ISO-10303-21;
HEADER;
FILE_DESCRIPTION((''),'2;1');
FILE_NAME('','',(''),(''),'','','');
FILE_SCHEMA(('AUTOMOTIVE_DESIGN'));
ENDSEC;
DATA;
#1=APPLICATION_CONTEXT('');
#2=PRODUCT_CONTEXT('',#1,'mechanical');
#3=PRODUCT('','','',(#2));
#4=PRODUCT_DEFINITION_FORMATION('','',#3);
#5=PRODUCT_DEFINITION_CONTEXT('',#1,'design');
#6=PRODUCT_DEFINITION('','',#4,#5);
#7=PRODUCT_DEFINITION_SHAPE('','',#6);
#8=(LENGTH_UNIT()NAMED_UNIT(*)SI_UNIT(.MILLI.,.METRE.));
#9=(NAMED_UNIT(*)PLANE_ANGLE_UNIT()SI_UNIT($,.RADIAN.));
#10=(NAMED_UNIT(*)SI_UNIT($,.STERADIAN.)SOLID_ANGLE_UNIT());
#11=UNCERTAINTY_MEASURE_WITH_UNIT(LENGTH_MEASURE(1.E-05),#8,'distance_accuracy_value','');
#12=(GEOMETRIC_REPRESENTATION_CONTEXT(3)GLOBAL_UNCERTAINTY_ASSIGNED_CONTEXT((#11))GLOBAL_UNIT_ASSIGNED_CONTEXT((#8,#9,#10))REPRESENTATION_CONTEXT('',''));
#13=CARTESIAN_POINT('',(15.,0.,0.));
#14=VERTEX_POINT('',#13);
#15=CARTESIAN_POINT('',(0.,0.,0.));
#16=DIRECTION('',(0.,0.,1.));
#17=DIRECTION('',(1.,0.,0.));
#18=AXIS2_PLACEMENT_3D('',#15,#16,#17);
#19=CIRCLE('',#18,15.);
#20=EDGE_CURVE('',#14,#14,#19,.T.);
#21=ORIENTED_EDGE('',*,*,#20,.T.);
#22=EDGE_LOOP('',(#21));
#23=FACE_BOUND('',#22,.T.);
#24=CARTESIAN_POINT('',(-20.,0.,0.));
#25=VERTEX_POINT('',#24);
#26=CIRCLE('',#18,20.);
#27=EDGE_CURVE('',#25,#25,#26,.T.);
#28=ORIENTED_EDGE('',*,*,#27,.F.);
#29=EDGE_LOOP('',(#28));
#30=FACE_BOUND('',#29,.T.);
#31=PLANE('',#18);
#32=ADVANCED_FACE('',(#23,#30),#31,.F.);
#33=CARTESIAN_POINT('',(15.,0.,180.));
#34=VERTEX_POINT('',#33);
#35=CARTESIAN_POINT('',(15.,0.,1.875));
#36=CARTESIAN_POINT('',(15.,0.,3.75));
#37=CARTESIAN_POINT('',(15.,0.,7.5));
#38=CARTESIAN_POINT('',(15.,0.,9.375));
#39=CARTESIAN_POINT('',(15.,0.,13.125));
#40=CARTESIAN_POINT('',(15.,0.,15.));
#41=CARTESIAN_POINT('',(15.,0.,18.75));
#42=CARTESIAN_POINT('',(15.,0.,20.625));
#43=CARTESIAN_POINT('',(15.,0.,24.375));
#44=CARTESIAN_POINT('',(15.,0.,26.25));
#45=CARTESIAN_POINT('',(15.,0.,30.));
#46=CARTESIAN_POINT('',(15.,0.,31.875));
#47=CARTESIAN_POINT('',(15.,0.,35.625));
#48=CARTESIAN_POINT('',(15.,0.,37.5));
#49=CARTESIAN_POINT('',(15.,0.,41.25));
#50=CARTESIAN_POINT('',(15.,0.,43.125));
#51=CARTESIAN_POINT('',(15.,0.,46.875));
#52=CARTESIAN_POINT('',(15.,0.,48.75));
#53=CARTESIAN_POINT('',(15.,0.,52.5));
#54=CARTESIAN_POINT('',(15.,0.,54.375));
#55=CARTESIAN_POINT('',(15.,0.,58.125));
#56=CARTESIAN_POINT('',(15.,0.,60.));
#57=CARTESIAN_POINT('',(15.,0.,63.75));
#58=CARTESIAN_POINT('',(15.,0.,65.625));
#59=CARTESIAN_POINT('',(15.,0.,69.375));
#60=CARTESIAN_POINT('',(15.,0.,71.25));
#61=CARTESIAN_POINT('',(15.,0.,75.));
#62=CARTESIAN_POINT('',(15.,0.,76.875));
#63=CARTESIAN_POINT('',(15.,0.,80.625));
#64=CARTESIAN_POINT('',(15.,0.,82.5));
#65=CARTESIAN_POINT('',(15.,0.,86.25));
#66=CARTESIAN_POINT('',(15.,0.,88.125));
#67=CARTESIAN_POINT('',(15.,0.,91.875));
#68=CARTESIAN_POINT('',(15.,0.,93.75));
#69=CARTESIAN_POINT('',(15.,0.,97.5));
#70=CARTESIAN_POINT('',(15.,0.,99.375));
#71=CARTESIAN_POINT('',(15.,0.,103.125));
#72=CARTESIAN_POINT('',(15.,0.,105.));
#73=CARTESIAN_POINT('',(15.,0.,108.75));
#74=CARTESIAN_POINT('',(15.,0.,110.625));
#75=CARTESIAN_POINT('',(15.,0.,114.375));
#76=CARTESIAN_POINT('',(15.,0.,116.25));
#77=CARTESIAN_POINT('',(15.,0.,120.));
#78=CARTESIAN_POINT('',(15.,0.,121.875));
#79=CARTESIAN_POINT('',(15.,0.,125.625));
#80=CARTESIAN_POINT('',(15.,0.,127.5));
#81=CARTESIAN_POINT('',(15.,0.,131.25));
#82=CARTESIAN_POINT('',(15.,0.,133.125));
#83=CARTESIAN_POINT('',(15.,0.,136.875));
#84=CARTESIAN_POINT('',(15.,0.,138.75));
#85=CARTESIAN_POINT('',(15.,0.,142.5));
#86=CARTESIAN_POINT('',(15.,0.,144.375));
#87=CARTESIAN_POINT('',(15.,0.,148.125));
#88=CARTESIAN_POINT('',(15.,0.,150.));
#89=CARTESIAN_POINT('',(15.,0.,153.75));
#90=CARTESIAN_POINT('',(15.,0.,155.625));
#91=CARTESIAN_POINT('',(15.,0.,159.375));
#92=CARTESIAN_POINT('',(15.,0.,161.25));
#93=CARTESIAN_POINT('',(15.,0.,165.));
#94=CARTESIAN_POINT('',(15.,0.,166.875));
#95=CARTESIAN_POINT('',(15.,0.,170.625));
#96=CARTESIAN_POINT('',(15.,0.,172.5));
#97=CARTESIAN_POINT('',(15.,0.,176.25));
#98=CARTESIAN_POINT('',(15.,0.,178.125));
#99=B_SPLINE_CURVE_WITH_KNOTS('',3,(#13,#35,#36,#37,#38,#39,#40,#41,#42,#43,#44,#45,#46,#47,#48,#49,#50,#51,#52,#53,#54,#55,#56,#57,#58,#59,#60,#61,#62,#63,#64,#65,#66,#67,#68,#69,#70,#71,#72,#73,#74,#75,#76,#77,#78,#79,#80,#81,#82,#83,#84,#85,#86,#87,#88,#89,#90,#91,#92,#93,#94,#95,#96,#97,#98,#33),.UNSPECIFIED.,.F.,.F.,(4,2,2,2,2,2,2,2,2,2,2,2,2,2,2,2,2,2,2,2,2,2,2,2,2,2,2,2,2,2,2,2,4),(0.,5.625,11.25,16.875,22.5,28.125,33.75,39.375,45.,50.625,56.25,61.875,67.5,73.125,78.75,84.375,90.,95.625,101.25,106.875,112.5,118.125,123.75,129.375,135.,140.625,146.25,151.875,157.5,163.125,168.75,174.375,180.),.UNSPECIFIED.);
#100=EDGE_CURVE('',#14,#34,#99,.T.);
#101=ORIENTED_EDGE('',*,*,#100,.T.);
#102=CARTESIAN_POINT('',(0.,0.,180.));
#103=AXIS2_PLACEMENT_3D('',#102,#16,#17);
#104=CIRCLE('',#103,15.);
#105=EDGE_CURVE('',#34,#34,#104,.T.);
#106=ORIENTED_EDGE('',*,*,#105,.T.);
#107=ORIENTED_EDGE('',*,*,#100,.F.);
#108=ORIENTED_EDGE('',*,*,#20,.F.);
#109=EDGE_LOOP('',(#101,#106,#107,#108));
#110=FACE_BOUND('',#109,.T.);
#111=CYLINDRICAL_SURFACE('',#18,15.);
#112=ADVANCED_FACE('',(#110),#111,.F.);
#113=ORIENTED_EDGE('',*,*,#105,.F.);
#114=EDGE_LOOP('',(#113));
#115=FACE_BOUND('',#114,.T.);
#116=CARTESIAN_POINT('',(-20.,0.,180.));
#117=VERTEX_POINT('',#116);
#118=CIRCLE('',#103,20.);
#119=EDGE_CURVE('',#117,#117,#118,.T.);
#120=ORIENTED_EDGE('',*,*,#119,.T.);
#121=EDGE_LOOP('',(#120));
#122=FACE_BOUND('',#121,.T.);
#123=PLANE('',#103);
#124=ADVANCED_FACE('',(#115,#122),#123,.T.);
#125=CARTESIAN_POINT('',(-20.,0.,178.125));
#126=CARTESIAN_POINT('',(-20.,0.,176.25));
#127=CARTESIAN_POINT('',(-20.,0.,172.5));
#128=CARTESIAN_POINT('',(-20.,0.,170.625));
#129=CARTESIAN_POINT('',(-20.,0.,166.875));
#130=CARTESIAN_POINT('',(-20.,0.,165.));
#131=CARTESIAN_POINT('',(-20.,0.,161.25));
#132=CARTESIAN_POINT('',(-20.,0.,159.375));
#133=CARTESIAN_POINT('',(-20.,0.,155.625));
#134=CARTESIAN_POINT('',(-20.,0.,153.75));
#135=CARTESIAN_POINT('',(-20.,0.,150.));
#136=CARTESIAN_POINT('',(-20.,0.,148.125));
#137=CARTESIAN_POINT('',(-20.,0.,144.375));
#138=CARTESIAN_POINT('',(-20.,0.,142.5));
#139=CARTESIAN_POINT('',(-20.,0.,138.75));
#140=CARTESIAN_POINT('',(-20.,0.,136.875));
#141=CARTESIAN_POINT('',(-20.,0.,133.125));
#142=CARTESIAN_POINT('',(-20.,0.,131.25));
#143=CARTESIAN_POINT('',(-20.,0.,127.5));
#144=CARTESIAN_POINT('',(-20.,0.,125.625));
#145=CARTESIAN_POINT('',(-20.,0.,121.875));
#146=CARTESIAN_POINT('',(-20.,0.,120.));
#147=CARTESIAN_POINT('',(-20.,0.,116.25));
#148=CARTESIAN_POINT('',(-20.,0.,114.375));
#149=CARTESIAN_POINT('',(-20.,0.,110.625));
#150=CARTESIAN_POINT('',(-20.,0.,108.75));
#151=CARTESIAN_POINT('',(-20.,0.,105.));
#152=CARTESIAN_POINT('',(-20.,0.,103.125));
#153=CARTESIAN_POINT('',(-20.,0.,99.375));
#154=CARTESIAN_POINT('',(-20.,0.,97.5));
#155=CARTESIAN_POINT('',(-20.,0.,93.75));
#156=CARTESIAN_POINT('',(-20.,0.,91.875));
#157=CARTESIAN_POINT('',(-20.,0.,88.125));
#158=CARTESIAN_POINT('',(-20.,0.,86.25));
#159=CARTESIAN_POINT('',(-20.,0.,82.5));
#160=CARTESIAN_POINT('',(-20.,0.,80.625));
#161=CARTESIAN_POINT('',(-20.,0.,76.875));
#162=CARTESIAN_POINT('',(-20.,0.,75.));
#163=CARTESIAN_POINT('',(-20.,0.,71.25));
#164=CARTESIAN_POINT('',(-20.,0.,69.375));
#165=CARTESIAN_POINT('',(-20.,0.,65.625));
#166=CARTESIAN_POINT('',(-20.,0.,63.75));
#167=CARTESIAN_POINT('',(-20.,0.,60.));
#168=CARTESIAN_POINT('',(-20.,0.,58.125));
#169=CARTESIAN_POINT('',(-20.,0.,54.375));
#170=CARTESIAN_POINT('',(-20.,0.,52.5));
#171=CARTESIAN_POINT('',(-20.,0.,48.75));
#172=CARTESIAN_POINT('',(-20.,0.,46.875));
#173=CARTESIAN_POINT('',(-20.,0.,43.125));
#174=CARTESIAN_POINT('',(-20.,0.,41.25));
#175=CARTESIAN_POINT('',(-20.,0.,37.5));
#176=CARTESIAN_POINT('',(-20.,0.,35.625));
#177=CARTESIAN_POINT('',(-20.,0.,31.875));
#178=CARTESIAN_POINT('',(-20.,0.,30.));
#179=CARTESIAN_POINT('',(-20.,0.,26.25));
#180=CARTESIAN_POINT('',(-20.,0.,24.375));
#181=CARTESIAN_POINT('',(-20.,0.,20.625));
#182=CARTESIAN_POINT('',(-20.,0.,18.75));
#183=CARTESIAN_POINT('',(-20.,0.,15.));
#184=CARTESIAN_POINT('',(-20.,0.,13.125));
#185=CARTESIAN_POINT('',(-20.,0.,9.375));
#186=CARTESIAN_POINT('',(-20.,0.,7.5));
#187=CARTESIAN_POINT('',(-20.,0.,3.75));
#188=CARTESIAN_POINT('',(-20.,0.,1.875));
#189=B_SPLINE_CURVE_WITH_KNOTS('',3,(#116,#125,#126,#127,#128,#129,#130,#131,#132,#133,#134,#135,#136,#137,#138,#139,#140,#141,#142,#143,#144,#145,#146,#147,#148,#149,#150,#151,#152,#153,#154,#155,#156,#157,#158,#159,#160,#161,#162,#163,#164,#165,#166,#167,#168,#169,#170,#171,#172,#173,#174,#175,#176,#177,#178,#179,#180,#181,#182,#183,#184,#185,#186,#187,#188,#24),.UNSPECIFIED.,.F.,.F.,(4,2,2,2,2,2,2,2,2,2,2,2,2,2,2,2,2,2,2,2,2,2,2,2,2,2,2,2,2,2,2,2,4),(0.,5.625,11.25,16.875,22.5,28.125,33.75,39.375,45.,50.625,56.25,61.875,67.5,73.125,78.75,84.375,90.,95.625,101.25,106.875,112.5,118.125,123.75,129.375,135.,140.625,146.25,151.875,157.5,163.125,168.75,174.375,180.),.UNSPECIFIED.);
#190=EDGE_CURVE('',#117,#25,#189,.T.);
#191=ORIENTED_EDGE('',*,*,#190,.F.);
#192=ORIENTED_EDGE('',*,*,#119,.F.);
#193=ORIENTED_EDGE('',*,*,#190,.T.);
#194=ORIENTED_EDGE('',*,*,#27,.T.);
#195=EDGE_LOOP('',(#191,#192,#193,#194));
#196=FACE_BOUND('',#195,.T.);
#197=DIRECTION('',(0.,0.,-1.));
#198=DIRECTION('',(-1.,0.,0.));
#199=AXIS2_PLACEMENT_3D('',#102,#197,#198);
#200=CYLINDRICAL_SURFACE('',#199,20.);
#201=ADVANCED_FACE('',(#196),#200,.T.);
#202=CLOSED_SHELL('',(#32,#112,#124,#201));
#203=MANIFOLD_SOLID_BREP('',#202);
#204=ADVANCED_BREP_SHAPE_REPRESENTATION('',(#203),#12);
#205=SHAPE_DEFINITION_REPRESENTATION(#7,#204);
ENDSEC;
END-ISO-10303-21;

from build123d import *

# Parameters (mm, degrees)
SKETCH1_R           = 20
BOSS_EXTRUDE1_DEPTH = 180
SKETCH2_R           = 15
CUT_EXTRUDE1_DEPTH  = 180


with BuildPart() as part:
    # Sketch1 → Boss-Extrude1 (new body)
    with BuildSketch(Plane.XY):
        with Locations(Location((0, 0, 0), (0, 0, 180))):
            Circle(SKETCH1_R)
    extrude(amount=BOSS_EXTRUDE1_DEPTH)

    # Sketch2 → Cut-Extrude1 (cut)
    with BuildSketch(Plane.XY.offset(180)):
        Circle(SKETCH2_R)
    extrude(amount=-CUT_EXTRUDE1_DEPTH, mode=Mode.SUBTRACT)


solid = part.part
